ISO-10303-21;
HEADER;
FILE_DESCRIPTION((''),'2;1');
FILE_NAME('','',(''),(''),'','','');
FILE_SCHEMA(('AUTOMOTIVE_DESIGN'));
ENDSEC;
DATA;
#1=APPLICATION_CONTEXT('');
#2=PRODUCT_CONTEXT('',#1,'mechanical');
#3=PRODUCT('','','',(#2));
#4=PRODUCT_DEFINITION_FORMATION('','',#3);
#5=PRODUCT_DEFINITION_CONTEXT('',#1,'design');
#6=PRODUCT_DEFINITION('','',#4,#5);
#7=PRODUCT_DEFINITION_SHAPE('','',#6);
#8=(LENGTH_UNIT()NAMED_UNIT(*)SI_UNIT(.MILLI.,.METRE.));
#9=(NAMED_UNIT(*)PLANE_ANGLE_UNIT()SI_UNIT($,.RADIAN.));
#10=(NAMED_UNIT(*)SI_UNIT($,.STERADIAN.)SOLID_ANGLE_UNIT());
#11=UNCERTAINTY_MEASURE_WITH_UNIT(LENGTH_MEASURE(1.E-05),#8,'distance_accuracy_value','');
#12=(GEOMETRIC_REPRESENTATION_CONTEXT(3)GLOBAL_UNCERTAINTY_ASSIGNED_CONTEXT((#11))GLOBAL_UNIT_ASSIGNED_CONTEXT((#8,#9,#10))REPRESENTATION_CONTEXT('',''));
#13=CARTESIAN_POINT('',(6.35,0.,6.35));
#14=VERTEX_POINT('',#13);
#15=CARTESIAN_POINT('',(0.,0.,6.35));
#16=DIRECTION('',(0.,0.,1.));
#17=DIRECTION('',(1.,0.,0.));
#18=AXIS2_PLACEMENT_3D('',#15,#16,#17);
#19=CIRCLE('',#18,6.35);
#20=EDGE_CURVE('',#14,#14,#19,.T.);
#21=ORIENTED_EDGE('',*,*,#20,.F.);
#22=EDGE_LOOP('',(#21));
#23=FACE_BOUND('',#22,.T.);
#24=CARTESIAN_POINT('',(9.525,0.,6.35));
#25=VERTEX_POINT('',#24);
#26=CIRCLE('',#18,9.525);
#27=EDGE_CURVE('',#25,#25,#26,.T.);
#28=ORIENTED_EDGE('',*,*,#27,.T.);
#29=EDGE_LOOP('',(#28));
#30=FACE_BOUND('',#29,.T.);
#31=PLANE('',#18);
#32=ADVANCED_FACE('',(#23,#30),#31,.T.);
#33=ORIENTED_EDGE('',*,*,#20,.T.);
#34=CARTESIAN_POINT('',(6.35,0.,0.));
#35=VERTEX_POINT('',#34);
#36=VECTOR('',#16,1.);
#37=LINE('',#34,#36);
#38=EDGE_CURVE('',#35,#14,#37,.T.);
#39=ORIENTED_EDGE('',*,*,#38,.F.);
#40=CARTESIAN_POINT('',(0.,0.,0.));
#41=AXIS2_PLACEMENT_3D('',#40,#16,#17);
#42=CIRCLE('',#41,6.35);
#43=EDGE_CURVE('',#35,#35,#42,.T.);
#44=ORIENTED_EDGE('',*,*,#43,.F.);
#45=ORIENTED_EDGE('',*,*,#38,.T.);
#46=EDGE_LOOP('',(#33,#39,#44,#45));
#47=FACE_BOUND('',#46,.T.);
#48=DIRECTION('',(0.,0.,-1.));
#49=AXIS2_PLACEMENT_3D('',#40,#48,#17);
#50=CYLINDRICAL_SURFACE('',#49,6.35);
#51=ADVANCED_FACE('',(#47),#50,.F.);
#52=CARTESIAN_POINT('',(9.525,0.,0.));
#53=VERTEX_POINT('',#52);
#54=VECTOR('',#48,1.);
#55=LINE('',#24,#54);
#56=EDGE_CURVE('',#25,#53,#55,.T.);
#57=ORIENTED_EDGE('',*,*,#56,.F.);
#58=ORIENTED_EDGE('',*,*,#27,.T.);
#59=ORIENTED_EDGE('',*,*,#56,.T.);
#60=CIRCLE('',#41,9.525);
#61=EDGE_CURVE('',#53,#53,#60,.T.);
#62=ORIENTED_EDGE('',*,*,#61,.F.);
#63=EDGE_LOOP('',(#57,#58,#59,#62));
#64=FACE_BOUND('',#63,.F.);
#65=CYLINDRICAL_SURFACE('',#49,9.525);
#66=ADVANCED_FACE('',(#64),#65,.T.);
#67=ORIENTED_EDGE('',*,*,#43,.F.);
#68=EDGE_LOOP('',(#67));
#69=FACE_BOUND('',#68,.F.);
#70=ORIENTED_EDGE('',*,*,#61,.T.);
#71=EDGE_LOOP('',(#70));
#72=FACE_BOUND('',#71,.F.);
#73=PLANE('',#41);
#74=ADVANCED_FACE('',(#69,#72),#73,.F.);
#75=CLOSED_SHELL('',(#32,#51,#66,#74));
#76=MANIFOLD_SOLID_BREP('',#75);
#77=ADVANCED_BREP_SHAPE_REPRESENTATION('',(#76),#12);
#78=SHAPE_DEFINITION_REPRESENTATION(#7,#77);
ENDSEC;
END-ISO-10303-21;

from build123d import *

# Parameters (mm, degrees)
F0_R     = 9.525
F0_R_2   = 6.35
F1_DEPTH = 4.99189
F2_DEPTH = 6.35


with BuildPart() as f1:
    # F0 (on Top) → F1 (new body)
    with BuildSketch(Plane.XY):
        Circle(F0_R)
        Circle(F0_R_2, mode=Mode.SUBTRACT)
    extrude(amount=F1_DEPTH)

    # F0 (on Top) → F2 (join)
    with BuildSketch(Plane.XY):
        Circle(F0_R)
        Circle(F0_R_2, mode=Mode.SUBTRACT)
    extrude(amount=F2_DEPTH)


solid = f1.part
